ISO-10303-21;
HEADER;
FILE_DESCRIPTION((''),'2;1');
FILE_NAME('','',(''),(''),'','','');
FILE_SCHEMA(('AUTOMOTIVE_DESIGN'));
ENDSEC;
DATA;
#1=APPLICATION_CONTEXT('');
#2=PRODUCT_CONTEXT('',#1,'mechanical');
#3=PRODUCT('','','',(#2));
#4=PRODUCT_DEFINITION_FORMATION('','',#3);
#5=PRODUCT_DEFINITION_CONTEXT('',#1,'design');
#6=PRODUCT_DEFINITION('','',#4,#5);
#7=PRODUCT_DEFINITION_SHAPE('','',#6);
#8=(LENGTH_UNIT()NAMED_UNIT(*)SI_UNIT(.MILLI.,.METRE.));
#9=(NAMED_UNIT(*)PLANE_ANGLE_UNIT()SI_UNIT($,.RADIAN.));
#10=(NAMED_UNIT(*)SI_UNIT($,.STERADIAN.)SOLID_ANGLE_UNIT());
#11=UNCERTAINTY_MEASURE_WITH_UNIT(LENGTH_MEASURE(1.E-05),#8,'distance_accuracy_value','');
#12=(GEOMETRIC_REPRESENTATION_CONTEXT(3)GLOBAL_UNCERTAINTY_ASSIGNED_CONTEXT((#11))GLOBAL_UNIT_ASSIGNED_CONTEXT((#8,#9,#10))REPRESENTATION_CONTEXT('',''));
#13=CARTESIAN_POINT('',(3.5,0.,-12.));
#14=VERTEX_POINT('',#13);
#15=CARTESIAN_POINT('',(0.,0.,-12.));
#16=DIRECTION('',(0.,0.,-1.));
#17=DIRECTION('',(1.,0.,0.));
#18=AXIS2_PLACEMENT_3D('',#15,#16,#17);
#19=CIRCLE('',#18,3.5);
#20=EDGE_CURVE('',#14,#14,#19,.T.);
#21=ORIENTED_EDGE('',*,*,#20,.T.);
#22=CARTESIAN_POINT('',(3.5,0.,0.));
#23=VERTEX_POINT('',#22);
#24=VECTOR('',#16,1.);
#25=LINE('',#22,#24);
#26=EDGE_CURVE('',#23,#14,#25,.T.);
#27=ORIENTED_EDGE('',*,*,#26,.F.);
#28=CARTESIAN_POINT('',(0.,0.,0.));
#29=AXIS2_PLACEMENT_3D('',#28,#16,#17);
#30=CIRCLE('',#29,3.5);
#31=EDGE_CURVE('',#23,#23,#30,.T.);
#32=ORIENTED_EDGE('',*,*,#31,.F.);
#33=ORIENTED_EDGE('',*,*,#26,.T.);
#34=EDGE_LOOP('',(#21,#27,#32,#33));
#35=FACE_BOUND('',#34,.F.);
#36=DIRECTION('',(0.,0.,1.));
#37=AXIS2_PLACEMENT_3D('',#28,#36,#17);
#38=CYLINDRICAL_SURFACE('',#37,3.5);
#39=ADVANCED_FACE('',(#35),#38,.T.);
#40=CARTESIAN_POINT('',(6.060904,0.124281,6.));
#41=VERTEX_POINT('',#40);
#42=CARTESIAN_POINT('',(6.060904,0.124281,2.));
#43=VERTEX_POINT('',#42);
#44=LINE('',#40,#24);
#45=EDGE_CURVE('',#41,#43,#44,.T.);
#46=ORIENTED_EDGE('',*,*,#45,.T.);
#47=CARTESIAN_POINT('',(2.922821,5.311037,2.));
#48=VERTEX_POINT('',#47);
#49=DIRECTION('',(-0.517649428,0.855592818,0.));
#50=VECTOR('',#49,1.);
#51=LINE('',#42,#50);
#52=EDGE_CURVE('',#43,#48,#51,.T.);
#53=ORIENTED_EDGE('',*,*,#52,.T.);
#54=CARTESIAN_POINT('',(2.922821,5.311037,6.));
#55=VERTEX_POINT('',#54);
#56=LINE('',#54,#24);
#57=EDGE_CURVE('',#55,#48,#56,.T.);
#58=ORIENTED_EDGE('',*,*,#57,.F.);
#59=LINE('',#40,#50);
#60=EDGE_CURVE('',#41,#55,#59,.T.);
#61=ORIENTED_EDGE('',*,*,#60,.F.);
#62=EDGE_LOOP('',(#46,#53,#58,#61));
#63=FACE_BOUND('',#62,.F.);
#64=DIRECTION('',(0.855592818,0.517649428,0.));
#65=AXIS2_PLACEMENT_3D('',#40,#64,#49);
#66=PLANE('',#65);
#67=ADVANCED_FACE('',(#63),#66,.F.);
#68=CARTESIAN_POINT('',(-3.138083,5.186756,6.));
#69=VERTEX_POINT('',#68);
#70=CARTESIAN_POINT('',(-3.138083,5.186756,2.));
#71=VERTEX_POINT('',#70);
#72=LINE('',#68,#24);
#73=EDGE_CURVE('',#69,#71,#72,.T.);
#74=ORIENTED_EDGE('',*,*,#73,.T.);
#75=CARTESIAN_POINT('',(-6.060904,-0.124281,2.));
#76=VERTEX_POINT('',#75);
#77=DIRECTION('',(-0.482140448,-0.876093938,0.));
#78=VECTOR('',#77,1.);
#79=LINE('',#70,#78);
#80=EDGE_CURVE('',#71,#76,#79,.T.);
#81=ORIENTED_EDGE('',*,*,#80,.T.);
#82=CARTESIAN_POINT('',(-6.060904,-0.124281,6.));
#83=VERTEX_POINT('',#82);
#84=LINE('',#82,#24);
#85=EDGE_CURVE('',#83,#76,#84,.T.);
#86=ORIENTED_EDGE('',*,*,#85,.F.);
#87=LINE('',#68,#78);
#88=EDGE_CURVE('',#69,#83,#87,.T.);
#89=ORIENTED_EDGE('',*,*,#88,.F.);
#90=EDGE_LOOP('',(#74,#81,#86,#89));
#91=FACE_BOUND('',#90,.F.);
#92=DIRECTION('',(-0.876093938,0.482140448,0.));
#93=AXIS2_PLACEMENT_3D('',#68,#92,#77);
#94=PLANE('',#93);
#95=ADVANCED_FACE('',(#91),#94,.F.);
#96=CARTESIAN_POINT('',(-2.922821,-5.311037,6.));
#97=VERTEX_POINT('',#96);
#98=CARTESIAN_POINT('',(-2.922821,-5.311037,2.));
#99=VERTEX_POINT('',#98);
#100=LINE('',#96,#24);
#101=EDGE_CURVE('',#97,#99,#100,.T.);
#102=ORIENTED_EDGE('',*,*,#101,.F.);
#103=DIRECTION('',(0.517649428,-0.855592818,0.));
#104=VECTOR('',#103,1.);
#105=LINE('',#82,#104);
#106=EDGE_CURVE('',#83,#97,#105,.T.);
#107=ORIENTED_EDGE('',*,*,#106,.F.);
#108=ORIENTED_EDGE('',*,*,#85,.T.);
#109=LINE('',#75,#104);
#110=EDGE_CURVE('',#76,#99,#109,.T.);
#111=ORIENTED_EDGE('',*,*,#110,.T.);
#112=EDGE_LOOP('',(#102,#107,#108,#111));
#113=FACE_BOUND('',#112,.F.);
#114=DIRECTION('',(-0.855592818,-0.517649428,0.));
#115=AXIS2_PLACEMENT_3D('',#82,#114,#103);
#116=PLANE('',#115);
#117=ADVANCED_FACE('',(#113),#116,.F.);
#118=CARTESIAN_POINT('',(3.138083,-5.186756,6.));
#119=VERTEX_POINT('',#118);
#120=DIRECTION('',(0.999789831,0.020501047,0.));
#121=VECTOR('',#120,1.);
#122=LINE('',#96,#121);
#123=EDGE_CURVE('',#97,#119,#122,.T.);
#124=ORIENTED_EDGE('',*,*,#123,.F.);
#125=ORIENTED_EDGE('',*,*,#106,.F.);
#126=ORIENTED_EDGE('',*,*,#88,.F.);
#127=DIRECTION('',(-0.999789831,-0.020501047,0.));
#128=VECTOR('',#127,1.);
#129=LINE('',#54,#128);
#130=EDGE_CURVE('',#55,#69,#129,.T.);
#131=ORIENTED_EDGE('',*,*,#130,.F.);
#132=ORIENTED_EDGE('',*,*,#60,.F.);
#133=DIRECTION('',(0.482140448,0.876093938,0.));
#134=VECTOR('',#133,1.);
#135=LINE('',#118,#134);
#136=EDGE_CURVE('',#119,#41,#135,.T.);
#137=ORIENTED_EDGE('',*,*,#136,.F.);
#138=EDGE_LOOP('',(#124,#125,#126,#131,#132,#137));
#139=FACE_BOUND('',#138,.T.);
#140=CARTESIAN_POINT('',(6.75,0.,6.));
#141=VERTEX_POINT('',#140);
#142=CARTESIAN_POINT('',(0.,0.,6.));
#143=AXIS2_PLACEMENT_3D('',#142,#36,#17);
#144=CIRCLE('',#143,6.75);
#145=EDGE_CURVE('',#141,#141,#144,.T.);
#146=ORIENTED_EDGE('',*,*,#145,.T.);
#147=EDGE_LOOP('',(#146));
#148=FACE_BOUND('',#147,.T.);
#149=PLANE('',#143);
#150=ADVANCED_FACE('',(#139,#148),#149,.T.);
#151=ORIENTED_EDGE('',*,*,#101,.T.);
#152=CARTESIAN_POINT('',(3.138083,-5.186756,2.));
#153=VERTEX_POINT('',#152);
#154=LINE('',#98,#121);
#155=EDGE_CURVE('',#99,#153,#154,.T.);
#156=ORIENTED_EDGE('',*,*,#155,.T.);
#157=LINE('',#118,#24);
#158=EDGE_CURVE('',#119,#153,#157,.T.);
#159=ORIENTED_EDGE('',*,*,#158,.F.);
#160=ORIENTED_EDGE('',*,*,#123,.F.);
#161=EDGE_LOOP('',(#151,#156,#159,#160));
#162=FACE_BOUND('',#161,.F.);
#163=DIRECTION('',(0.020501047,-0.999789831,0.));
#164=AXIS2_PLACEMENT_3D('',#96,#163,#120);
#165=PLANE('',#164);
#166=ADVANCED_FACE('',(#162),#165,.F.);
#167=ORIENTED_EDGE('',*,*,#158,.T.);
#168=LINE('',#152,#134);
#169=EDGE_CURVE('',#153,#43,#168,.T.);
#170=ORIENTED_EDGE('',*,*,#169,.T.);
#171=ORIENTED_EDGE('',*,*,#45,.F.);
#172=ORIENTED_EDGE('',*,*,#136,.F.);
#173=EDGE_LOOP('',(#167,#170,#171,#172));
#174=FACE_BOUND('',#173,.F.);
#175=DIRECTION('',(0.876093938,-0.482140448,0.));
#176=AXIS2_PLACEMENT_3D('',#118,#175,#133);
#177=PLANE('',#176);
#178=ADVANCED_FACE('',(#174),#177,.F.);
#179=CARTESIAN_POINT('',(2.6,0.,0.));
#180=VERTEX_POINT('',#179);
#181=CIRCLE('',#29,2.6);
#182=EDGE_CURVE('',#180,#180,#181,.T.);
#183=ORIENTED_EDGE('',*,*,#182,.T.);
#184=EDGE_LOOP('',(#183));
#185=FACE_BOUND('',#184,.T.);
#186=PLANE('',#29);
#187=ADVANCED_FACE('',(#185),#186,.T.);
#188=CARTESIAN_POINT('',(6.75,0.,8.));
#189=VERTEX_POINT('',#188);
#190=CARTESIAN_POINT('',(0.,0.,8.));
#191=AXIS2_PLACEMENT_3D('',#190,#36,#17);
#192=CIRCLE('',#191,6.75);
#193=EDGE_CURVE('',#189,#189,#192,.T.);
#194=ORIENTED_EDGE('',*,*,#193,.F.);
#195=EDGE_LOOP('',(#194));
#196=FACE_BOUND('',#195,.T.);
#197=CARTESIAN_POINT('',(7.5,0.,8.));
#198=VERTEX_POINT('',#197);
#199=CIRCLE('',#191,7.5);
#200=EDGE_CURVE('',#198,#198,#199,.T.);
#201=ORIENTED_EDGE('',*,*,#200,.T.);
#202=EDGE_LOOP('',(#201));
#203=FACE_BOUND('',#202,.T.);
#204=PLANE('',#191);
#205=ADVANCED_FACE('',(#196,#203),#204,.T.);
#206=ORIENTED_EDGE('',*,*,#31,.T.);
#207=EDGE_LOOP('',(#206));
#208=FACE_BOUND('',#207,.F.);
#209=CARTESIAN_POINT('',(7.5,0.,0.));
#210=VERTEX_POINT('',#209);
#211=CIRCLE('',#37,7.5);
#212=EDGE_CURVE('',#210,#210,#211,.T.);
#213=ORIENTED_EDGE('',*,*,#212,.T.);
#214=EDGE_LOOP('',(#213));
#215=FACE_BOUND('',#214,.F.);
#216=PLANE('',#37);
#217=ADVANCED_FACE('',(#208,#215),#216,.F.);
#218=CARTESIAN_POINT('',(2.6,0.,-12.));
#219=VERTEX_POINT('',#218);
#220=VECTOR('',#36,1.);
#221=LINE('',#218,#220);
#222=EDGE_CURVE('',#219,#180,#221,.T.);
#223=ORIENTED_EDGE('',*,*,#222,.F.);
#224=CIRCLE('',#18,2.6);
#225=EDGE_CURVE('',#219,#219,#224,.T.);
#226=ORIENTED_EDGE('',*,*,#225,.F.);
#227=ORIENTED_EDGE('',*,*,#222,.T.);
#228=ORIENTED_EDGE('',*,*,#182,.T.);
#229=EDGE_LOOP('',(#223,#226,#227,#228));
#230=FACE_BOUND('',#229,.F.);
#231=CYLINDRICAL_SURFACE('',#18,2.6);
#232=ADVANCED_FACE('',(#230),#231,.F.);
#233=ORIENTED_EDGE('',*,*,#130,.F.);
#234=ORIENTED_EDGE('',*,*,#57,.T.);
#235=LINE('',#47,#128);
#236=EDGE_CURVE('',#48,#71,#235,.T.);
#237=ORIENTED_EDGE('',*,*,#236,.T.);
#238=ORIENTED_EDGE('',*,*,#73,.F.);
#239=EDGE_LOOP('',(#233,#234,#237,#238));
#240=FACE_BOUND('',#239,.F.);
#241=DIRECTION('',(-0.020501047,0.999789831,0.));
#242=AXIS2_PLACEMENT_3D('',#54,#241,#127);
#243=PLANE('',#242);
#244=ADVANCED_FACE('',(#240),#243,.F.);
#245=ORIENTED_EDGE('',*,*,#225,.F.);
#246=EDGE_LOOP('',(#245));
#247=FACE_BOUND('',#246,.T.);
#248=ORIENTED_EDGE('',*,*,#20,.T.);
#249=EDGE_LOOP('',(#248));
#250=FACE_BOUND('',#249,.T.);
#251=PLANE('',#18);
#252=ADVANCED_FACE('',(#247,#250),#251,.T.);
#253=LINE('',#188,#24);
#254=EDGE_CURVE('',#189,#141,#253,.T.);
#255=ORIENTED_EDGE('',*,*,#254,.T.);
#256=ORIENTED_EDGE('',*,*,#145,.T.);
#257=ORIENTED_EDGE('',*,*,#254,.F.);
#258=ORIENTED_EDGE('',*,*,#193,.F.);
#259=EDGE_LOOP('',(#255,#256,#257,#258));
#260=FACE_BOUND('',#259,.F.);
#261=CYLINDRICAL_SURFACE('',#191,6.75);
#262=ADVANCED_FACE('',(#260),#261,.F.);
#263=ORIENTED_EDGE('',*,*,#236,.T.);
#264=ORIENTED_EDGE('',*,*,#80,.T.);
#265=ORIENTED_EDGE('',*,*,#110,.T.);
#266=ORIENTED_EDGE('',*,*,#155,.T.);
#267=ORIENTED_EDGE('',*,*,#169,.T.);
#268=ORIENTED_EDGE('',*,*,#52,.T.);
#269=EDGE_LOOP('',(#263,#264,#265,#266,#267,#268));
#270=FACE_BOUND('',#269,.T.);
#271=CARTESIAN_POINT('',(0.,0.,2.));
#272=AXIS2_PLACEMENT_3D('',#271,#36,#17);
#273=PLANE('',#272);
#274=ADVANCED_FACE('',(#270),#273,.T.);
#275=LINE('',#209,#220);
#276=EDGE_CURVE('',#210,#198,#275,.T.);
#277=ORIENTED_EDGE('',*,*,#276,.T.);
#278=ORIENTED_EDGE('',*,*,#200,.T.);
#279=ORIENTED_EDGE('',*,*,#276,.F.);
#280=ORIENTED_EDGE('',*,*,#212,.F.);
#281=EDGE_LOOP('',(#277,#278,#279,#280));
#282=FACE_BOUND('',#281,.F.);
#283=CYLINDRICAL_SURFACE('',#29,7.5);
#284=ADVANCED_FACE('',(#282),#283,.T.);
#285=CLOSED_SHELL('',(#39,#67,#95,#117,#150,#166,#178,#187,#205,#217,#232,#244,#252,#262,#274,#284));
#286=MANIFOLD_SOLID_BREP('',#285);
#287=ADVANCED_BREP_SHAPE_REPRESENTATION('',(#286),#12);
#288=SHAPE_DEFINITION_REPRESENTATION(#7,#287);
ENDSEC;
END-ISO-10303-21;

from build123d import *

# Parameters (mm, degrees)
F0_R     = 7.5
F1_DEPTH = 8
F2_R     = 6.75
F3_DEPTH = 2
F5_DEPTH = 4
F6_R     = 3.5
F7_DEPTH = 12
F8_R     = 2.6
F9_DEPTH = 12


with BuildPart() as f1:
    # F0 (on Top) → F1 (new body)
    with BuildSketch(Plane.XY):
        Circle(F0_R)
    extrude(amount=F1_DEPTH)

    # F2 (on face) → F3 (cut)
    with BuildSketch(Plane.XY.offset(8)):
        Circle(F2_R)
    extrude(amount=-F3_DEPTH, mode=Mode.SUBTRACT)

    # F4 (on face) → F5 (cut)
    with BuildSketch(Plane.XY.offset(6)):
        Polygon((6.060904, 0.124281), (2.922821, 5.311037), (-3.138083, 5.186756), (-6.060904, -0.124281), (-2.922821, -5.311037), (3.138083, -5.186756), align=None)
    extrude(amount=-F5_DEPTH, mode=Mode.SUBTRACT)

    # F6 (on face) → F7 (join)
    with BuildSketch(Plane(origin=(0, 0, 0), x_dir=(1, 0, 0), z_dir=(0, 0, -1))):
        Circle(F6_R)
    extrude(amount=F7_DEPTH)

    # F8 (on face) → F9 (cut)
    with BuildSketch(Plane(origin=(0, 0, -12), x_dir=(1, 0, 0), z_dir=(0, 0, -1))):
        Circle(F8_R)
    extrude(amount=-F9_DEPTH, mode=Mode.SUBTRACT)


solid = f1.part
